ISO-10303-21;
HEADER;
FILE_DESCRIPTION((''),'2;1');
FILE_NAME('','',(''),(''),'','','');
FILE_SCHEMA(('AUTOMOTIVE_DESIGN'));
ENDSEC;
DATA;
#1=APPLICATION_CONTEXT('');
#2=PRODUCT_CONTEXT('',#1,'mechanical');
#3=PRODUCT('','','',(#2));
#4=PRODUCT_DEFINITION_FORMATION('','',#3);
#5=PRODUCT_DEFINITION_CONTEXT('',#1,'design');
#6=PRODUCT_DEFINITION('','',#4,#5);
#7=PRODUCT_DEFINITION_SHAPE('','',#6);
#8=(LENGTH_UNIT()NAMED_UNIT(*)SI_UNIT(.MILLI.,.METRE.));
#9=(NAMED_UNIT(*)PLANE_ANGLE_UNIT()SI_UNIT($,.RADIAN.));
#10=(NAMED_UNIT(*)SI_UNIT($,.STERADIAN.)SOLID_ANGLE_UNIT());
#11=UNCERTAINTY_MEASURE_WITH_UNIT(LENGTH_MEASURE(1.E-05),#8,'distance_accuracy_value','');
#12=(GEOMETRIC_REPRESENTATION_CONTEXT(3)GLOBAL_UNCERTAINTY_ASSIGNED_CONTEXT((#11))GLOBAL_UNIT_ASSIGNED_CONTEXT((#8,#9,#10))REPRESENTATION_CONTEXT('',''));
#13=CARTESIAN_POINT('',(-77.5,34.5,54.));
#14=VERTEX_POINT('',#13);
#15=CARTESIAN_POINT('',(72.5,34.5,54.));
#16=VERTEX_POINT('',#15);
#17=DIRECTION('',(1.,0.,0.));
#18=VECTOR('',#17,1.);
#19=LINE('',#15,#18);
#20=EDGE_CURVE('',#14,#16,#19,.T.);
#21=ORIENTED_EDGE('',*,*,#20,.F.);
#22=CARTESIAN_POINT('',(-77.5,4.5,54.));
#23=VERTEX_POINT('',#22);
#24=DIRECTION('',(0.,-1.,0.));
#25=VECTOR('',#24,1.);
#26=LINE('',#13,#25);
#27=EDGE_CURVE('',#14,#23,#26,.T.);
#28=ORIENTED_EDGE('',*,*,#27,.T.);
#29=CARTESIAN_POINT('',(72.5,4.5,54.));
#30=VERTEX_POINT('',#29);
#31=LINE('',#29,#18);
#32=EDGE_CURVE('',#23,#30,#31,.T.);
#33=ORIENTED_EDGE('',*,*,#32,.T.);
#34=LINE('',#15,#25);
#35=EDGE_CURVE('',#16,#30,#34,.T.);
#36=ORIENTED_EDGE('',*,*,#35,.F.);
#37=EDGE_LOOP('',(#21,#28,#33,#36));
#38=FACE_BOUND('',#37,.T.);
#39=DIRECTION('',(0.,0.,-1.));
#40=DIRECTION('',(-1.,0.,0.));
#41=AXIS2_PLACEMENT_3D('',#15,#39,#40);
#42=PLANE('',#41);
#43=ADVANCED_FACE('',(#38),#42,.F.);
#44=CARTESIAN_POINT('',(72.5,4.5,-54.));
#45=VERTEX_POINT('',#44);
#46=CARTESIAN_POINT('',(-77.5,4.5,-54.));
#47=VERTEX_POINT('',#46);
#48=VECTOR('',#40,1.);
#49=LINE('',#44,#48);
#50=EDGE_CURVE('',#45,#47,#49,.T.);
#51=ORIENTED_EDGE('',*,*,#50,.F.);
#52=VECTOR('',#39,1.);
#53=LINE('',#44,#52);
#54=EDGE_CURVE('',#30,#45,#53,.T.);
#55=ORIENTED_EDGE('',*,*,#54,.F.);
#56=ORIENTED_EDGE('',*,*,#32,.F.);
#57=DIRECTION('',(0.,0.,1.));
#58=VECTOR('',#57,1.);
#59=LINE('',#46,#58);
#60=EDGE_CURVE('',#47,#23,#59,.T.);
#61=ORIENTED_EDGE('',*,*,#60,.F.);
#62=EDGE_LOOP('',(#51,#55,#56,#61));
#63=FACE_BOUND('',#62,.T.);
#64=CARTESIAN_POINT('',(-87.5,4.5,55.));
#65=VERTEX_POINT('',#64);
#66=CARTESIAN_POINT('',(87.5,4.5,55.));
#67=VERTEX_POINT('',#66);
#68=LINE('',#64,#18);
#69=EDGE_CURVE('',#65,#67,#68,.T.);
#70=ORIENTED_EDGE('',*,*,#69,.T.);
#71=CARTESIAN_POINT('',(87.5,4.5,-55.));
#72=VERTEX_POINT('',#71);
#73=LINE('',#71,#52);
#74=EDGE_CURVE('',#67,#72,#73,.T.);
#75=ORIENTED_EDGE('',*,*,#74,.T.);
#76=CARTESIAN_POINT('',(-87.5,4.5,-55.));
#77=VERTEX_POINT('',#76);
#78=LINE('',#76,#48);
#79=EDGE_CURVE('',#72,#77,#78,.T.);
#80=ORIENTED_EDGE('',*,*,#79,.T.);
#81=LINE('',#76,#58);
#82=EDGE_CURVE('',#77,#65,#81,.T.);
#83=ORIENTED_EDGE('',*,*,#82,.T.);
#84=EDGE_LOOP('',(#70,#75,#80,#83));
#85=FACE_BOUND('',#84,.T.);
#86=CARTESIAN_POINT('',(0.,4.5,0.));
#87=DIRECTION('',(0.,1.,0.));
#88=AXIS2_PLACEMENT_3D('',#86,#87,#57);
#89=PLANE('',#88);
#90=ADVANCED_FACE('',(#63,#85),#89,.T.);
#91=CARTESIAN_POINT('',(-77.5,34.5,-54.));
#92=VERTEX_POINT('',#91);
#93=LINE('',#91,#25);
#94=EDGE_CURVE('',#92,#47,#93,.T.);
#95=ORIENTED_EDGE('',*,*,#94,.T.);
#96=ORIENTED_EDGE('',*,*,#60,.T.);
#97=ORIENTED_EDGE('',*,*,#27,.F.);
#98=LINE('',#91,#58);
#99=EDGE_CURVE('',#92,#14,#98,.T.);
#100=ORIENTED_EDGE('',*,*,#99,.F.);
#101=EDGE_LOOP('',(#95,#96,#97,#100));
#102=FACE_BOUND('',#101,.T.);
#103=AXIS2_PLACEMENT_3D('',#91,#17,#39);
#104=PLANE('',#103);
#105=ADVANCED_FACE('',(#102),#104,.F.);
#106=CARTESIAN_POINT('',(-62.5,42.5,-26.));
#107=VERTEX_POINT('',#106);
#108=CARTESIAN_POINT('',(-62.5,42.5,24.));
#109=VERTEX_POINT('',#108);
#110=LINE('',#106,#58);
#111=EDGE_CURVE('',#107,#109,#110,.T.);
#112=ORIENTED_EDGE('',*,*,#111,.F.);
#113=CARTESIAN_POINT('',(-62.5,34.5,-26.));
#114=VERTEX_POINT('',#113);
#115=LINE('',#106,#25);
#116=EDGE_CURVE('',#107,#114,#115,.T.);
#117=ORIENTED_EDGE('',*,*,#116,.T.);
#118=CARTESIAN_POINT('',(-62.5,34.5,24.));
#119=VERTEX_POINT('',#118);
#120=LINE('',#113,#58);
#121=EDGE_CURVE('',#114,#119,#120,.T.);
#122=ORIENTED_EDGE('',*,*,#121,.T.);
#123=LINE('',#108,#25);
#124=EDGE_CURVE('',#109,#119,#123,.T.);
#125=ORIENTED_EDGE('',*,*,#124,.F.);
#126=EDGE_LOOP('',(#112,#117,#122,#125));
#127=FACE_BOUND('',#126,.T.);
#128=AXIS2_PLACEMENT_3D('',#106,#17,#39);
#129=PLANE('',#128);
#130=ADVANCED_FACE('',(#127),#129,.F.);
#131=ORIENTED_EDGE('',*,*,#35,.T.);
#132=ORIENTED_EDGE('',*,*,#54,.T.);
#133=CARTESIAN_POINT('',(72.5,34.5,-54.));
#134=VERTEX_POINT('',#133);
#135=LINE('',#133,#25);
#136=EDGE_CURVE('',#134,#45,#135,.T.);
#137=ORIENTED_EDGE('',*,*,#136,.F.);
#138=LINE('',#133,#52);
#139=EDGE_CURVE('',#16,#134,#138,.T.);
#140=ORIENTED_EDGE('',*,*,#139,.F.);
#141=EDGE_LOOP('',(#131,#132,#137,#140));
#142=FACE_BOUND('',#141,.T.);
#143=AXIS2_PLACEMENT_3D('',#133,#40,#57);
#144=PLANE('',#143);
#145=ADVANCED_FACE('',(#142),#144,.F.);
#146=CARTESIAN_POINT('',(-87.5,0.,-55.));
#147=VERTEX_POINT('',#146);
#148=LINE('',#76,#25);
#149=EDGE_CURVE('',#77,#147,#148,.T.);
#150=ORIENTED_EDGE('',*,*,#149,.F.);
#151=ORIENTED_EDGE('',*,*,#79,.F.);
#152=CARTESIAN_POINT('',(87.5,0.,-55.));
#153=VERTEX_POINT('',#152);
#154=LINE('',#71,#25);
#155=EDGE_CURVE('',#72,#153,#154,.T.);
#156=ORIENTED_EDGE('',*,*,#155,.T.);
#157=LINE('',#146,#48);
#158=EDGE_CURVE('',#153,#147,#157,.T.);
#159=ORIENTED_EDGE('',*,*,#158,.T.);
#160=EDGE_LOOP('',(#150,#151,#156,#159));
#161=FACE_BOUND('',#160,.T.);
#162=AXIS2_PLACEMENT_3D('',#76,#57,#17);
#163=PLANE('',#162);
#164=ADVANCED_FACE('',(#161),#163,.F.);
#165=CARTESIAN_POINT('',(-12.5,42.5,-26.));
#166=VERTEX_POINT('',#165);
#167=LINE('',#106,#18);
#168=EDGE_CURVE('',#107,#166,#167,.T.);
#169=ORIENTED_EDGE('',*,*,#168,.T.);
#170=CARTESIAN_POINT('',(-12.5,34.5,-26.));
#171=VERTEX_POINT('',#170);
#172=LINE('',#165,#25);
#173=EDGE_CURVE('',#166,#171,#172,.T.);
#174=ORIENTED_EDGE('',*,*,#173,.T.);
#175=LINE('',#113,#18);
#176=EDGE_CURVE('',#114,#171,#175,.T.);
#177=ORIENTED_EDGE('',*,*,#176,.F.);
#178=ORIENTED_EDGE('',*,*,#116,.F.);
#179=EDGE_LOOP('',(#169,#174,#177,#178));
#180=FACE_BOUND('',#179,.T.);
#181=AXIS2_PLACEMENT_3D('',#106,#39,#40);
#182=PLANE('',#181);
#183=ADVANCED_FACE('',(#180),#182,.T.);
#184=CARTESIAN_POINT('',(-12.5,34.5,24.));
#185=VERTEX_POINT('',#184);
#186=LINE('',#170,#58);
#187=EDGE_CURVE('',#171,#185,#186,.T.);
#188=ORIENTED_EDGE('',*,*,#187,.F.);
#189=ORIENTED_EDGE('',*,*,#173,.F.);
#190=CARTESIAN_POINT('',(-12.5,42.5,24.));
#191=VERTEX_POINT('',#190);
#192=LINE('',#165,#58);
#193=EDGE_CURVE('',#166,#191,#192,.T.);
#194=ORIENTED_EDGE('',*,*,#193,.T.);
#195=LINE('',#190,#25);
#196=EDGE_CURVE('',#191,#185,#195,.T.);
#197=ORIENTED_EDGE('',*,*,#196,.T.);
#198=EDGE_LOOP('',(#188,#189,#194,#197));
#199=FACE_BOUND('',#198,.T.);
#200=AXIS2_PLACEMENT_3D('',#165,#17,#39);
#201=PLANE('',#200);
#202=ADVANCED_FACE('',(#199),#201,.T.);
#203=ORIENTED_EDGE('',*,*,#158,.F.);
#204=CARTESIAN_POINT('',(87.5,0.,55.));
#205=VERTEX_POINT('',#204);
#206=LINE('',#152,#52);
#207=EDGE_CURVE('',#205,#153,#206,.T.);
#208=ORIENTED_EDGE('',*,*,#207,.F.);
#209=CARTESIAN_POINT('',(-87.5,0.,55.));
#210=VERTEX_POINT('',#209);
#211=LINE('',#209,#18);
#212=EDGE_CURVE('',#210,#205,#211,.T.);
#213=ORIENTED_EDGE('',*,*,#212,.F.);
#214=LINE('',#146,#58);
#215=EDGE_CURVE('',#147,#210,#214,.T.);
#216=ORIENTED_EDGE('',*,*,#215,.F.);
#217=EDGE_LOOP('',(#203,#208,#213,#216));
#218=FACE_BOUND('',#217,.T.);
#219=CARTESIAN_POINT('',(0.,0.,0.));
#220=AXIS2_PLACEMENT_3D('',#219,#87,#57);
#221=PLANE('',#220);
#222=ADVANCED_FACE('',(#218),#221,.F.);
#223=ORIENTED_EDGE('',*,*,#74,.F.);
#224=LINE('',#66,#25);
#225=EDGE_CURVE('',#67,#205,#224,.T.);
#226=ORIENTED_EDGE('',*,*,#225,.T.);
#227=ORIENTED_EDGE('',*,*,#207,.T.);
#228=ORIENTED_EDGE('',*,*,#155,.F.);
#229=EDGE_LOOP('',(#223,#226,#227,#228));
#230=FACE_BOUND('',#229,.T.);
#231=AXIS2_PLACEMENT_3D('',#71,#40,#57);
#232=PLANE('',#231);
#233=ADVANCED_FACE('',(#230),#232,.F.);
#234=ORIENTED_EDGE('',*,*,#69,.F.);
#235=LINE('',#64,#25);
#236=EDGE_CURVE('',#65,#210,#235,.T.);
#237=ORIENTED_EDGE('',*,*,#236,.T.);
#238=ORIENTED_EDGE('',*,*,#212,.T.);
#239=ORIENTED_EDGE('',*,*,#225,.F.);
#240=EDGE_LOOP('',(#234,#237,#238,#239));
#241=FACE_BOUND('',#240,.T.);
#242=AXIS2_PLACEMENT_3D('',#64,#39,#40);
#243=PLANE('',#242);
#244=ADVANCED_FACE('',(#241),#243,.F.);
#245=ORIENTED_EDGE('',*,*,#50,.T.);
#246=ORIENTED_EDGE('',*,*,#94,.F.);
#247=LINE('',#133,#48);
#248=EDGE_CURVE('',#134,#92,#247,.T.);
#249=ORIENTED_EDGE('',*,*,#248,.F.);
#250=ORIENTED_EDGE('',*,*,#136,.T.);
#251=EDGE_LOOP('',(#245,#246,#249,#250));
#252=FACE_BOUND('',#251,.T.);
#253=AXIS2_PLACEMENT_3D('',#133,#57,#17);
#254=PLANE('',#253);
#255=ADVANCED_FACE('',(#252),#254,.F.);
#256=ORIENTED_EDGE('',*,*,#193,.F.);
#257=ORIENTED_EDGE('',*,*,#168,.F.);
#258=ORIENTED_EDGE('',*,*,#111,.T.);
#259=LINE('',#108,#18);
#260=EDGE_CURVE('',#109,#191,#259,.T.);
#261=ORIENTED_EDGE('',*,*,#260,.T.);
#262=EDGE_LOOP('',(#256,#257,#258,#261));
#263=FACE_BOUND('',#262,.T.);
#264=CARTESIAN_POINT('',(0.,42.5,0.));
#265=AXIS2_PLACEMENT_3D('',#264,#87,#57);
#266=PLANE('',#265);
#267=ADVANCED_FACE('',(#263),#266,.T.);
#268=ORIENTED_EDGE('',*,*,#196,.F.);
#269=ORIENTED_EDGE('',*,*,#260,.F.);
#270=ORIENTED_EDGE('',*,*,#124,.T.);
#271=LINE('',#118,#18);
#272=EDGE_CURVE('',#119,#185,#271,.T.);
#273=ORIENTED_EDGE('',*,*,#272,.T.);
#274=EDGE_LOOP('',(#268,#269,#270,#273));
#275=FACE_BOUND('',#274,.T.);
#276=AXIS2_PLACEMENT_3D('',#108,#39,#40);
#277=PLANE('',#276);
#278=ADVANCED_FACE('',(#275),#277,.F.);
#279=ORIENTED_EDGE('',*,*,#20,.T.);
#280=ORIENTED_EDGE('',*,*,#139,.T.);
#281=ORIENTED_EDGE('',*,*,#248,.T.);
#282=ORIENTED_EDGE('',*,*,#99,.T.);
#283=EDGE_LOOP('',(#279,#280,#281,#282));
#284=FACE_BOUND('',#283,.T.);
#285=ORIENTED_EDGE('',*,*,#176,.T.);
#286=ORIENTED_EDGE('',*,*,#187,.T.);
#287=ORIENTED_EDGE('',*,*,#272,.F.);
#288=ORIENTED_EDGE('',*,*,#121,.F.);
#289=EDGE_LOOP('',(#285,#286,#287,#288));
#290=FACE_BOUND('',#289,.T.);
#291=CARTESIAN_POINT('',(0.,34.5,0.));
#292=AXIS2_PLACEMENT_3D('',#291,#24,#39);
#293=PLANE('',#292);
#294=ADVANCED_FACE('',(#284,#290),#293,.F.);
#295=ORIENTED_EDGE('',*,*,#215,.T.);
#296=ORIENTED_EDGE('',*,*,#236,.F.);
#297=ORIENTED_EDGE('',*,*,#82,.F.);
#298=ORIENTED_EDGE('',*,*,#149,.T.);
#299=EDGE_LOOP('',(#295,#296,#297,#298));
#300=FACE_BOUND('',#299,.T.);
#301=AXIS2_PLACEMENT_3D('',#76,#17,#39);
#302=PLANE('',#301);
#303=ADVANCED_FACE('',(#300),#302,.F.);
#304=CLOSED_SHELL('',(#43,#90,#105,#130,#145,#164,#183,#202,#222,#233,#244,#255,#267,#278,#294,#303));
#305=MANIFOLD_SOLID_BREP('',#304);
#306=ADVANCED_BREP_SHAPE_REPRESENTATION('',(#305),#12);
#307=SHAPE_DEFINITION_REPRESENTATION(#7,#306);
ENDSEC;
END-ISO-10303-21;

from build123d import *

# Parameters (mm, degrees)
SKETCH1_W           = 175
SKETCH1_H           = 110
BOSS_EXTRUDE1_DEPTH = 4.5
SKETCH2_W           = 150
SKETCH2_H           = 108
BOSS_EXTRUDE2_DEPTH = 30
SKETCH3_W           = 50
SKETCH3_H           = 50
BOSS_EXTRUDE3_DEPTH = 8


with BuildPart() as part:
    # Sketch1 → Boss-Extrude1 (new body)
    with BuildSketch(Plane(origin=(0, 0, 0), x_dir=(1, 0, 0), z_dir=(0, 1, 0))):
        Rectangle(SKETCH1_W, SKETCH1_H)
    extrude(amount=BOSS_EXTRUDE1_DEPTH)

    # Sketch2 → Boss-Extrude2 (add)
    with BuildSketch(Plane(origin=(0, 4.5, 0), x_dir=(1, 0, 0), z_dir=(0, 1, 0))):
        with Locations((-2.5, 0)):
            Rectangle(SKETCH2_W, SKETCH2_H)
    extrude(amount=BOSS_EXTRUDE2_DEPTH)

    # Sketch3 → Boss-Extrude3 (add)
    with BuildSketch(Plane(origin=(0, 34.5, 0), x_dir=(1, 0, 0), z_dir=(0, 1, 0))):
        with Locations((-37.5, 1)):
            Rectangle(SKETCH3_W, SKETCH3_H)
    extrude(amount=BOSS_EXTRUDE3_DEPTH)


solid = part.part
